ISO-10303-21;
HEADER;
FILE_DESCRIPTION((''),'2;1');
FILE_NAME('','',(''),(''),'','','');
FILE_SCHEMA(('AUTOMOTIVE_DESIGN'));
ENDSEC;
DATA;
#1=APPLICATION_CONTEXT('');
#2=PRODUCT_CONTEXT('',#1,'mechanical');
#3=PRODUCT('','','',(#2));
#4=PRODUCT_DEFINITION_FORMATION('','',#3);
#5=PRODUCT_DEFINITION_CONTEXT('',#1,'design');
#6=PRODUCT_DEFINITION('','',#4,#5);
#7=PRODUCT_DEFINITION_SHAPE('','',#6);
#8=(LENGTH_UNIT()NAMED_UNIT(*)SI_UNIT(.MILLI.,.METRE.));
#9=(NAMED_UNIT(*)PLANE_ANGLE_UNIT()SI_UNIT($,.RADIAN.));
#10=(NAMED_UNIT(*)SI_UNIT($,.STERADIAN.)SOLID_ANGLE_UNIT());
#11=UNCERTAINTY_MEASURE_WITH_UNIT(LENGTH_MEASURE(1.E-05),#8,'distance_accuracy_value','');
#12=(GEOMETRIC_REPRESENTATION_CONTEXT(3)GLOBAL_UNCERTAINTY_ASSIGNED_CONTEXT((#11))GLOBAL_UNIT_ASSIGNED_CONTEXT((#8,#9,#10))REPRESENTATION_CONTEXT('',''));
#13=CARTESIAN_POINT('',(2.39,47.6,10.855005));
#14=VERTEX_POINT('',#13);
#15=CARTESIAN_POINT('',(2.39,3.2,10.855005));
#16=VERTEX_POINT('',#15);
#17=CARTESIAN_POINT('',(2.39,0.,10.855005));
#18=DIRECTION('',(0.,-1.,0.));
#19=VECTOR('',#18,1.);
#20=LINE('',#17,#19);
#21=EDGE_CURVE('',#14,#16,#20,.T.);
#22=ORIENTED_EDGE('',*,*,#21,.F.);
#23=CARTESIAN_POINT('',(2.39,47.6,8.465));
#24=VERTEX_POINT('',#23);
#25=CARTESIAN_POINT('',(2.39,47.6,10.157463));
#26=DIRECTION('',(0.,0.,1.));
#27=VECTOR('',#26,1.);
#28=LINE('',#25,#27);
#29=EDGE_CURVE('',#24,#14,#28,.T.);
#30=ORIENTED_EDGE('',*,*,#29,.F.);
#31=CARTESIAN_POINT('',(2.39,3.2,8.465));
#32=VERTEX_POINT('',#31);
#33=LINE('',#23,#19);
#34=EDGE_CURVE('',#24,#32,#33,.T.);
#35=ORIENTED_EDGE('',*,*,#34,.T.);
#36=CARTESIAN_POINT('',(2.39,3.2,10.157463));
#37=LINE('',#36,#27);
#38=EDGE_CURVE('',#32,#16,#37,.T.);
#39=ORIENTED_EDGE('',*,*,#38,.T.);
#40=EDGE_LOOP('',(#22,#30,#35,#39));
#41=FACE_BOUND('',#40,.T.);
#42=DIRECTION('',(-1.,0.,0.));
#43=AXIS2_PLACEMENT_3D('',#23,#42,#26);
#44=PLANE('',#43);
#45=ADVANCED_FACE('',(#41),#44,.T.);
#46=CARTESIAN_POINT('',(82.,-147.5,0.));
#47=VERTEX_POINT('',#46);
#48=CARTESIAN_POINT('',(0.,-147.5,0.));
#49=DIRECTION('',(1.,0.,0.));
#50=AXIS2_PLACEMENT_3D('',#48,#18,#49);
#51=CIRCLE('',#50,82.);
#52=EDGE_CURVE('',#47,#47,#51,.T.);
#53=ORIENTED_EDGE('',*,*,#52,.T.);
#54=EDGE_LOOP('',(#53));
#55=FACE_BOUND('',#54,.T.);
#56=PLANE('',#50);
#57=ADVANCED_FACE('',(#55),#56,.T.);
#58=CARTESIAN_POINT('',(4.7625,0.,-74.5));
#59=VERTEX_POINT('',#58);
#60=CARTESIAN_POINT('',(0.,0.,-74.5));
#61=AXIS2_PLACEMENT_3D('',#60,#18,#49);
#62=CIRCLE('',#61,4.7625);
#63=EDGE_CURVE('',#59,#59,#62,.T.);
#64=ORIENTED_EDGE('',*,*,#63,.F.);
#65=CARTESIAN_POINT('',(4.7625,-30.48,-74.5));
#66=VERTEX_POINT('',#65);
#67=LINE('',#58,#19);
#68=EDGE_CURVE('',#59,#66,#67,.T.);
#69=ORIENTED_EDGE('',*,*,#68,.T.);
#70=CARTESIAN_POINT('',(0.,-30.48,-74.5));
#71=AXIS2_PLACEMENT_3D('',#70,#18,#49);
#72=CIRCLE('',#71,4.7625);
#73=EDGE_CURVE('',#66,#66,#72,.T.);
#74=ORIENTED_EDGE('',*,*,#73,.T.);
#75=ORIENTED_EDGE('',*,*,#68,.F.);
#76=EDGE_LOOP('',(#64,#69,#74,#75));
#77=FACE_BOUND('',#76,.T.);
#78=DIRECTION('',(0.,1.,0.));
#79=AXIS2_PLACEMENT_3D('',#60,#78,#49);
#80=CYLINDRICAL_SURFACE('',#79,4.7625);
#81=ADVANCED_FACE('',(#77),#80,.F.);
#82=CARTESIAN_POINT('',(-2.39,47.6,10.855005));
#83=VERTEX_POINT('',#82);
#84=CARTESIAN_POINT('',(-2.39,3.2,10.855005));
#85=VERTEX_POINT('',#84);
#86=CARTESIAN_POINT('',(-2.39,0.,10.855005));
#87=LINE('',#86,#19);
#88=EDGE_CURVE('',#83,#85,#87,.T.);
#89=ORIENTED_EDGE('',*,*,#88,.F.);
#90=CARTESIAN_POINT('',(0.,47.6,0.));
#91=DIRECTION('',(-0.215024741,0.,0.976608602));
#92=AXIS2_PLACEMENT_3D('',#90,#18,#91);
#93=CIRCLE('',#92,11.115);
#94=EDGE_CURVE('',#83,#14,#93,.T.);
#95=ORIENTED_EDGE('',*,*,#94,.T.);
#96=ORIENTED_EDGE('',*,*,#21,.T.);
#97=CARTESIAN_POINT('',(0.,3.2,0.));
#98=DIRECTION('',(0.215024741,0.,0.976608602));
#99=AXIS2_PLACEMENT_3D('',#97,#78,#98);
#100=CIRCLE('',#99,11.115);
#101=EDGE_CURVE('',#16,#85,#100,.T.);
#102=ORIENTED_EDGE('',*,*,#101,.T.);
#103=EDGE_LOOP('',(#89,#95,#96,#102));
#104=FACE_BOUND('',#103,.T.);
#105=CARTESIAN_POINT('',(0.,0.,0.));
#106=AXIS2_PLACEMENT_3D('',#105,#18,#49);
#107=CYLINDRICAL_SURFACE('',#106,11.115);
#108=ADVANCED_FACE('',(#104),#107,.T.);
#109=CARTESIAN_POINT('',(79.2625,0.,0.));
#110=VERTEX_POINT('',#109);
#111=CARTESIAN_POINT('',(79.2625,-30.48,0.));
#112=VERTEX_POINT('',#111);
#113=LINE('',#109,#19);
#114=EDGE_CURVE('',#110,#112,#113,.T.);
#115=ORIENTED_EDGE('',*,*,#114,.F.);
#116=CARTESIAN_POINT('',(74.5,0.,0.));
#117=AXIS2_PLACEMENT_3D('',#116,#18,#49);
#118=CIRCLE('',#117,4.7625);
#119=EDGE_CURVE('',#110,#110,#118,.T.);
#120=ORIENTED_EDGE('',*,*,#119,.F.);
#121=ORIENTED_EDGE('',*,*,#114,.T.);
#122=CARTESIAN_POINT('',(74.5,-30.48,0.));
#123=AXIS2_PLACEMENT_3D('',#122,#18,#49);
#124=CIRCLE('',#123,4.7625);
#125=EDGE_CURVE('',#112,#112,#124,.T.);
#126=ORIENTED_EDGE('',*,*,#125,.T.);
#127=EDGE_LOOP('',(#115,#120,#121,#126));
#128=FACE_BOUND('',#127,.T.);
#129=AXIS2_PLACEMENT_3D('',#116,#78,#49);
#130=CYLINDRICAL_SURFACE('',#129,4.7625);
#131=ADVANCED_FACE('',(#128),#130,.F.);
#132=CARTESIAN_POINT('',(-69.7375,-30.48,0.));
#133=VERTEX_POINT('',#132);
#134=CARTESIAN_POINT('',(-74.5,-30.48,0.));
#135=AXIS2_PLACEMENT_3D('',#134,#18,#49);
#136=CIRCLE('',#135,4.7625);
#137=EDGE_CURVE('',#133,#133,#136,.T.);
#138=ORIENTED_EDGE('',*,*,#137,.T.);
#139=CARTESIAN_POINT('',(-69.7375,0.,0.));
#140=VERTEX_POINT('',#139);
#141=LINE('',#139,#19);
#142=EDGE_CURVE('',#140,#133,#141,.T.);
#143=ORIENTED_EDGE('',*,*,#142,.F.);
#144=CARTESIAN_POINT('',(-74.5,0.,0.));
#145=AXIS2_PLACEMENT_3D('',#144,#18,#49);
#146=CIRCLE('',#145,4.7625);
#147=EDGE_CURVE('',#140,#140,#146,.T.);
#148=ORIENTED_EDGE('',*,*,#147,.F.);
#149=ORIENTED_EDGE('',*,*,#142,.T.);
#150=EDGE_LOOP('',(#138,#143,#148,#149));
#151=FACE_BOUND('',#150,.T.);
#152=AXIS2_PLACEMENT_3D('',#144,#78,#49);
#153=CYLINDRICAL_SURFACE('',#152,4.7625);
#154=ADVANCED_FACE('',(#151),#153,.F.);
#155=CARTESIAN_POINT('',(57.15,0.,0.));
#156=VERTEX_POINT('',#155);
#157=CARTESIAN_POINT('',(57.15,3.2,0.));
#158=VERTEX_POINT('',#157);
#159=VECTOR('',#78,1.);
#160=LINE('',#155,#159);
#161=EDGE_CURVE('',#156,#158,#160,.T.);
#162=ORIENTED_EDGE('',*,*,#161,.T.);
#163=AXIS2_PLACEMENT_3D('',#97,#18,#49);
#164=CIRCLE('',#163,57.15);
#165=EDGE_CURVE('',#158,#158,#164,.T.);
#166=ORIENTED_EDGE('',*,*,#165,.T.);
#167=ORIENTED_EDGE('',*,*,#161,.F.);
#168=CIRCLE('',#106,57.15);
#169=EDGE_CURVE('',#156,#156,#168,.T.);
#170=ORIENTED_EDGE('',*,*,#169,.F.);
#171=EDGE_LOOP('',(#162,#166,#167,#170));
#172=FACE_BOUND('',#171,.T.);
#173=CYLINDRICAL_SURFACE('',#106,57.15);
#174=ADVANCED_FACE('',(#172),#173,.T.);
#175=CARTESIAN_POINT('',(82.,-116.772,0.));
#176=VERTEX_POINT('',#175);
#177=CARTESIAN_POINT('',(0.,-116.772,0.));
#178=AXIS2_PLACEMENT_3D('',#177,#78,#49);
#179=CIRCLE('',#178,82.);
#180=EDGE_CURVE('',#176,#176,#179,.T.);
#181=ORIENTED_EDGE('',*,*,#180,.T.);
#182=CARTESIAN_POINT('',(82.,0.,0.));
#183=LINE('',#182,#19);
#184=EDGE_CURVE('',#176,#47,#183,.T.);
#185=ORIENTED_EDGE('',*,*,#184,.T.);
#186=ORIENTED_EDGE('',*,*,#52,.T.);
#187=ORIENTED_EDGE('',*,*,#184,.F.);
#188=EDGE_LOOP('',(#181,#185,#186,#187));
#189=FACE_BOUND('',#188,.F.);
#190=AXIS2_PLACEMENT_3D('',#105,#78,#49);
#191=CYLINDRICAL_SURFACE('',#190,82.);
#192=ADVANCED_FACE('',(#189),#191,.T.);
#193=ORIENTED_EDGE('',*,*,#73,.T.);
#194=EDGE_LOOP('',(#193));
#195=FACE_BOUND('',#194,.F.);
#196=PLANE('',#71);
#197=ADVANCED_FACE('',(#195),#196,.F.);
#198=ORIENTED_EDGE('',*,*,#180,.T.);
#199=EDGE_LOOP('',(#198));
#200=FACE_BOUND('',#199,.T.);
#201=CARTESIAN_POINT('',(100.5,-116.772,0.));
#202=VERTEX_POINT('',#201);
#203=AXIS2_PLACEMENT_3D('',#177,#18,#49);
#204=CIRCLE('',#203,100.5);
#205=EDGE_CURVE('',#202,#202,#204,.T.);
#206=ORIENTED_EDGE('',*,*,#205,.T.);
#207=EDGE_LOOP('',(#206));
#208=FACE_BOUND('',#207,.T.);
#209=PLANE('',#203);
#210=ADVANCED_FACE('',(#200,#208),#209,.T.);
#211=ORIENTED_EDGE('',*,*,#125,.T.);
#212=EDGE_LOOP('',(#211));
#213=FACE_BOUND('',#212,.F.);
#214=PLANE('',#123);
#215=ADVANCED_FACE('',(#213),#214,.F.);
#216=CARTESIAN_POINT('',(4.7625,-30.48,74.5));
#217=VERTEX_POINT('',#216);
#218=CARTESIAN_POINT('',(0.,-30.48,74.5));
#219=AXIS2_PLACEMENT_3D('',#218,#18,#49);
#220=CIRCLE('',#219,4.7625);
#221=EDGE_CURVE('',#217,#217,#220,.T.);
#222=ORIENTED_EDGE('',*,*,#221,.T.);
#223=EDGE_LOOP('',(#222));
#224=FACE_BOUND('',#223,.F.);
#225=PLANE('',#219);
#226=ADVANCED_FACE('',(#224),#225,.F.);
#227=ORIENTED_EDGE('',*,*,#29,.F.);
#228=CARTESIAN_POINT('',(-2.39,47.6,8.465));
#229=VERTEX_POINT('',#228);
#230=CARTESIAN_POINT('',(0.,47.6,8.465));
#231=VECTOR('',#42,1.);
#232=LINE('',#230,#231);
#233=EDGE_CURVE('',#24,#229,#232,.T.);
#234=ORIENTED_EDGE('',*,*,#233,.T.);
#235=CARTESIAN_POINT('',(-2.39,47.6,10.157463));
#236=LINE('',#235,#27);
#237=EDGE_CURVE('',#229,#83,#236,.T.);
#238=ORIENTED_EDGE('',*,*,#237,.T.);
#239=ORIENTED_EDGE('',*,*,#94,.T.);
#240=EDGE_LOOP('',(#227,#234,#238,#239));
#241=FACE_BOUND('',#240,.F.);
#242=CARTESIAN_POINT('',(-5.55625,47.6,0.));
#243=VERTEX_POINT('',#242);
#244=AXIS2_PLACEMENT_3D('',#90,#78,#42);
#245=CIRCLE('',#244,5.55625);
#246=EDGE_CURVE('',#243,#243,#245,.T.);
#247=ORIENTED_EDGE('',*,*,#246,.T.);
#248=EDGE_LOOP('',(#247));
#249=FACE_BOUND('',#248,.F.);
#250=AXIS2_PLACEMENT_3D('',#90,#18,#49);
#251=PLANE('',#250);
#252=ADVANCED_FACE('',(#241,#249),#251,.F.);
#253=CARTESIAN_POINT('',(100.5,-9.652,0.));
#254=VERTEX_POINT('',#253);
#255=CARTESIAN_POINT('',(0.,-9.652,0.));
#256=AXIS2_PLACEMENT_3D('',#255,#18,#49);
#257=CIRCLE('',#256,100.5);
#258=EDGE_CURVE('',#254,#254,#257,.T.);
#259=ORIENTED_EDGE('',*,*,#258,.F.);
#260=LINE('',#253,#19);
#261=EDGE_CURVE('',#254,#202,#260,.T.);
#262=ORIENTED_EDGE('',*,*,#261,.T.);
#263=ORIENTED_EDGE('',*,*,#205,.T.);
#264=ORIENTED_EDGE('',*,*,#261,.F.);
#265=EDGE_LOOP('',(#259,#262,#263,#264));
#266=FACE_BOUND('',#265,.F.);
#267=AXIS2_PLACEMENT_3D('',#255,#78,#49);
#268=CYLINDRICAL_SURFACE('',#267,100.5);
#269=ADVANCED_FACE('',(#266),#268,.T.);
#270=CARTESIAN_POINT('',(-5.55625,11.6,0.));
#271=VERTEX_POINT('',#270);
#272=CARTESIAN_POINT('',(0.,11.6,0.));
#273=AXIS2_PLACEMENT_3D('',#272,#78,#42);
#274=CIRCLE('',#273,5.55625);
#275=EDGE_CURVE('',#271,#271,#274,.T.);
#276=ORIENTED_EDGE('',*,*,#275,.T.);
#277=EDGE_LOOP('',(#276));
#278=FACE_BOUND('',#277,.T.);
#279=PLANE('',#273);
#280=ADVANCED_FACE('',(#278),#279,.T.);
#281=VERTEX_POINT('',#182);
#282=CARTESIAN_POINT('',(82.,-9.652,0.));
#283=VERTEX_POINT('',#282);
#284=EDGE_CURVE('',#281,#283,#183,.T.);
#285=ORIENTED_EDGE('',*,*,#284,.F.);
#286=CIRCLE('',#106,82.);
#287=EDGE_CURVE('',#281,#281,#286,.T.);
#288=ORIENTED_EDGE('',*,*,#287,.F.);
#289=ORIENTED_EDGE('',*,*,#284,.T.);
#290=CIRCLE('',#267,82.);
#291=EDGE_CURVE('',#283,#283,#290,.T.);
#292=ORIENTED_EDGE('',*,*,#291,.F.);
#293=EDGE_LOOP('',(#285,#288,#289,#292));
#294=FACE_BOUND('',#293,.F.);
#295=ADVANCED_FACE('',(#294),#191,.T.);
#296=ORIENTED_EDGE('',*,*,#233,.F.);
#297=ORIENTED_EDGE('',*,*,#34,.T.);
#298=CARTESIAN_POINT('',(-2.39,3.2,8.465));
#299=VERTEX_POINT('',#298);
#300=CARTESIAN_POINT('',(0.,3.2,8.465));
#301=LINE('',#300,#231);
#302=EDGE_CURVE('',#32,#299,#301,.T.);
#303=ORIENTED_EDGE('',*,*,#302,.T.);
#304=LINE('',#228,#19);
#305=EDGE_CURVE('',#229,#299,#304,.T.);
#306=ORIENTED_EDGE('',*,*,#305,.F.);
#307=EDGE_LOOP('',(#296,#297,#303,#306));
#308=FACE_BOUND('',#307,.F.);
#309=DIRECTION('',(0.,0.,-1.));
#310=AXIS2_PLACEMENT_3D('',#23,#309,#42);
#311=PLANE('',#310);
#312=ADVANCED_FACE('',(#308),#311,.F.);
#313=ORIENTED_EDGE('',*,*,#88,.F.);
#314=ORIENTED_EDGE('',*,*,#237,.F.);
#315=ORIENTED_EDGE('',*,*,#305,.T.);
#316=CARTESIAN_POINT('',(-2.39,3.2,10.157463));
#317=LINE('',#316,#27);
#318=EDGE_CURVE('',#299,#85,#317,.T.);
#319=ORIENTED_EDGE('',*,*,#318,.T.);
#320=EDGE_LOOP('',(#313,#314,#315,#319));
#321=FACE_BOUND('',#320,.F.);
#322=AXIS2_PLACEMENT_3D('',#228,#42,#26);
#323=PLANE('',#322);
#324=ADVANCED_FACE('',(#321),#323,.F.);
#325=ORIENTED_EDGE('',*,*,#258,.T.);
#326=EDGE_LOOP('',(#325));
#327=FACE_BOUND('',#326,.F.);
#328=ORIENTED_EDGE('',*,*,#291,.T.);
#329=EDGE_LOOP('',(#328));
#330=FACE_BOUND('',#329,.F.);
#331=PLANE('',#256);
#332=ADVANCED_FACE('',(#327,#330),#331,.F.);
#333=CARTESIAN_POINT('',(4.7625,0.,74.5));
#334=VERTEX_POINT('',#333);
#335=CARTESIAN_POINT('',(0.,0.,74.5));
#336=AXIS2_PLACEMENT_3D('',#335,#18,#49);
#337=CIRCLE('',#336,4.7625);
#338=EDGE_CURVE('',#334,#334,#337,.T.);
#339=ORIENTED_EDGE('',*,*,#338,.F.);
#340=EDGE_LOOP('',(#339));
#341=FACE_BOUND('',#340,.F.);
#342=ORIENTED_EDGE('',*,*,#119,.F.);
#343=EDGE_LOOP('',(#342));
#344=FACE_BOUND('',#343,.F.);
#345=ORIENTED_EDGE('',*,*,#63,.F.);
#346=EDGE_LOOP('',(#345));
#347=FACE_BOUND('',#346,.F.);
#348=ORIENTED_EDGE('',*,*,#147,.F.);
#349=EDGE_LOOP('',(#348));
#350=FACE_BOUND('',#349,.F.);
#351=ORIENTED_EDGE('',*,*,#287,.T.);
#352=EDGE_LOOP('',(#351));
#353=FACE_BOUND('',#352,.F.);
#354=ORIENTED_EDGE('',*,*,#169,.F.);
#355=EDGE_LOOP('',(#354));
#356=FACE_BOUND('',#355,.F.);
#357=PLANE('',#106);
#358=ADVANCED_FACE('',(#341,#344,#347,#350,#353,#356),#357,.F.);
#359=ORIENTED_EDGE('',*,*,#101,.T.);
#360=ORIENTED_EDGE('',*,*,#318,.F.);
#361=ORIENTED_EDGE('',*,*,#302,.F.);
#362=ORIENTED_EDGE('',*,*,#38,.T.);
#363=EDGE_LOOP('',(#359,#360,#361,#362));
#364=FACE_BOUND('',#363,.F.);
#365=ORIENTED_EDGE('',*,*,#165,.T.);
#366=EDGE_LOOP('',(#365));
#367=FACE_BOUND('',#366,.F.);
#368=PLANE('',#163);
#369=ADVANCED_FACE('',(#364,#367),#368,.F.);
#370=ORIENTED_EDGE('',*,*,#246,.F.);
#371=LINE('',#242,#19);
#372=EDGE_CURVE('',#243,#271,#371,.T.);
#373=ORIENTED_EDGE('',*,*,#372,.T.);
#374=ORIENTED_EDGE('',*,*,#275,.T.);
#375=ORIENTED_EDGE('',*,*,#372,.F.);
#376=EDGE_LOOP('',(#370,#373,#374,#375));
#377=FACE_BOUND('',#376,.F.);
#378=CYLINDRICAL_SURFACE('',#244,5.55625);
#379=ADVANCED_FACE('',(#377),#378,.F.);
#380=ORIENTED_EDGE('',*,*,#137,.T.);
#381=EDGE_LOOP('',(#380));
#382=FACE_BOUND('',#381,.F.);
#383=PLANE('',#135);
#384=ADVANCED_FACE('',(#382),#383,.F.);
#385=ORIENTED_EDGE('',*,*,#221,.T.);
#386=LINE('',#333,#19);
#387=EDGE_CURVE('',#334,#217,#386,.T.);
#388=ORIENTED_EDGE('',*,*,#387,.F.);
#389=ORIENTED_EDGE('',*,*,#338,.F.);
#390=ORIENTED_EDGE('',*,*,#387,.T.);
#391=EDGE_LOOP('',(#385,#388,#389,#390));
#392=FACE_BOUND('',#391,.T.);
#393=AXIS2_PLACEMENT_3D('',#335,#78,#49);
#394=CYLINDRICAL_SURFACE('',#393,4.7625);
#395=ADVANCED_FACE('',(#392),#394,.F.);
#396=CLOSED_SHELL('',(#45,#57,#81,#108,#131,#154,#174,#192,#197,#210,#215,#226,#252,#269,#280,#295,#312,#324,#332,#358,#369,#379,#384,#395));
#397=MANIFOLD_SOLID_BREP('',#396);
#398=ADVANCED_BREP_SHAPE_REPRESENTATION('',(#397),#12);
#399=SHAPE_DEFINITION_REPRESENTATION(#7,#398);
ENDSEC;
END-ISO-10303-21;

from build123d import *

# Parameters (mm, degrees)
F0_R      = 82
F1_DEPTH  = 147.5
F3_R      = 100.5
F4_DEPTH  = 107.12
F5_R      = 57.15
F6_DEPTH  = 3.2
F7_R      = 11.115
F8_DEPTH  = 47.6
F10_W     = 4.78
F10_H     = 3.384925476
F11_DEPTH = 44.4
F12_R     = 5.55625
F13_DEPTH = 36
F14_R     = 4.7625
F15_DEPTH = 30.48


with BuildPart() as f1:
    # F0 (on Front) → F1 (new body)
    with BuildSketch(Plane.XZ):
        Circle(F0_R)
    extrude(amount=F1_DEPTH)

    # F3 (on offset) → F4 (join)
    with BuildSketch(Plane.XZ.offset(9.652)):
        Circle(F3_R)
    extrude(amount=F4_DEPTH)

    # F5 (on Front) → F6 (join)
    with BuildSketch(Plane.XZ):
        Circle(F5_R)
    extrude(amount=-F6_DEPTH)

    # F7 (on Front) → F8 (join)
    with BuildSketch(Plane.XZ):
        Circle(F7_R)
    extrude(amount=-F8_DEPTH)

    # F10 (on offset) → F11 (cut, through all)
    with BuildSketch(Plane(origin=(0, 47.6, 0), x_dir=(-1, 0, 0), z_dir=(0, 1, 0))):
        with Locations((0, 10.157462738)):
            Rectangle(F10_W, F10_H)
    extrude(amount=-F11_DEPTH, mode=Mode.SUBTRACT)

    # F12 (on offset) → F13 (cut)
    with BuildSketch(Plane(origin=(0, 47.6, 0), x_dir=(-1, 0, 0), z_dir=(0, 1, 0))):
        Circle(F12_R)
    extrude(amount=-F13_DEPTH, mode=Mode.SUBTRACT)

    # F14 (on Front) → F15 (cut)
    with BuildSketch(Plane.XZ):
        with Locations((0, 74.5)):
            Circle(F14_R)
        with Locations((-74.5, 0)):
            Circle(F14_R)
        with Locations((0, -74.5)):
            Circle(F14_R)
        with Locations((74.5, 0)):
            Circle(F14_R)
    extrude(amount=F15_DEPTH, mode=Mode.SUBTRACT)


solid = f1.part
